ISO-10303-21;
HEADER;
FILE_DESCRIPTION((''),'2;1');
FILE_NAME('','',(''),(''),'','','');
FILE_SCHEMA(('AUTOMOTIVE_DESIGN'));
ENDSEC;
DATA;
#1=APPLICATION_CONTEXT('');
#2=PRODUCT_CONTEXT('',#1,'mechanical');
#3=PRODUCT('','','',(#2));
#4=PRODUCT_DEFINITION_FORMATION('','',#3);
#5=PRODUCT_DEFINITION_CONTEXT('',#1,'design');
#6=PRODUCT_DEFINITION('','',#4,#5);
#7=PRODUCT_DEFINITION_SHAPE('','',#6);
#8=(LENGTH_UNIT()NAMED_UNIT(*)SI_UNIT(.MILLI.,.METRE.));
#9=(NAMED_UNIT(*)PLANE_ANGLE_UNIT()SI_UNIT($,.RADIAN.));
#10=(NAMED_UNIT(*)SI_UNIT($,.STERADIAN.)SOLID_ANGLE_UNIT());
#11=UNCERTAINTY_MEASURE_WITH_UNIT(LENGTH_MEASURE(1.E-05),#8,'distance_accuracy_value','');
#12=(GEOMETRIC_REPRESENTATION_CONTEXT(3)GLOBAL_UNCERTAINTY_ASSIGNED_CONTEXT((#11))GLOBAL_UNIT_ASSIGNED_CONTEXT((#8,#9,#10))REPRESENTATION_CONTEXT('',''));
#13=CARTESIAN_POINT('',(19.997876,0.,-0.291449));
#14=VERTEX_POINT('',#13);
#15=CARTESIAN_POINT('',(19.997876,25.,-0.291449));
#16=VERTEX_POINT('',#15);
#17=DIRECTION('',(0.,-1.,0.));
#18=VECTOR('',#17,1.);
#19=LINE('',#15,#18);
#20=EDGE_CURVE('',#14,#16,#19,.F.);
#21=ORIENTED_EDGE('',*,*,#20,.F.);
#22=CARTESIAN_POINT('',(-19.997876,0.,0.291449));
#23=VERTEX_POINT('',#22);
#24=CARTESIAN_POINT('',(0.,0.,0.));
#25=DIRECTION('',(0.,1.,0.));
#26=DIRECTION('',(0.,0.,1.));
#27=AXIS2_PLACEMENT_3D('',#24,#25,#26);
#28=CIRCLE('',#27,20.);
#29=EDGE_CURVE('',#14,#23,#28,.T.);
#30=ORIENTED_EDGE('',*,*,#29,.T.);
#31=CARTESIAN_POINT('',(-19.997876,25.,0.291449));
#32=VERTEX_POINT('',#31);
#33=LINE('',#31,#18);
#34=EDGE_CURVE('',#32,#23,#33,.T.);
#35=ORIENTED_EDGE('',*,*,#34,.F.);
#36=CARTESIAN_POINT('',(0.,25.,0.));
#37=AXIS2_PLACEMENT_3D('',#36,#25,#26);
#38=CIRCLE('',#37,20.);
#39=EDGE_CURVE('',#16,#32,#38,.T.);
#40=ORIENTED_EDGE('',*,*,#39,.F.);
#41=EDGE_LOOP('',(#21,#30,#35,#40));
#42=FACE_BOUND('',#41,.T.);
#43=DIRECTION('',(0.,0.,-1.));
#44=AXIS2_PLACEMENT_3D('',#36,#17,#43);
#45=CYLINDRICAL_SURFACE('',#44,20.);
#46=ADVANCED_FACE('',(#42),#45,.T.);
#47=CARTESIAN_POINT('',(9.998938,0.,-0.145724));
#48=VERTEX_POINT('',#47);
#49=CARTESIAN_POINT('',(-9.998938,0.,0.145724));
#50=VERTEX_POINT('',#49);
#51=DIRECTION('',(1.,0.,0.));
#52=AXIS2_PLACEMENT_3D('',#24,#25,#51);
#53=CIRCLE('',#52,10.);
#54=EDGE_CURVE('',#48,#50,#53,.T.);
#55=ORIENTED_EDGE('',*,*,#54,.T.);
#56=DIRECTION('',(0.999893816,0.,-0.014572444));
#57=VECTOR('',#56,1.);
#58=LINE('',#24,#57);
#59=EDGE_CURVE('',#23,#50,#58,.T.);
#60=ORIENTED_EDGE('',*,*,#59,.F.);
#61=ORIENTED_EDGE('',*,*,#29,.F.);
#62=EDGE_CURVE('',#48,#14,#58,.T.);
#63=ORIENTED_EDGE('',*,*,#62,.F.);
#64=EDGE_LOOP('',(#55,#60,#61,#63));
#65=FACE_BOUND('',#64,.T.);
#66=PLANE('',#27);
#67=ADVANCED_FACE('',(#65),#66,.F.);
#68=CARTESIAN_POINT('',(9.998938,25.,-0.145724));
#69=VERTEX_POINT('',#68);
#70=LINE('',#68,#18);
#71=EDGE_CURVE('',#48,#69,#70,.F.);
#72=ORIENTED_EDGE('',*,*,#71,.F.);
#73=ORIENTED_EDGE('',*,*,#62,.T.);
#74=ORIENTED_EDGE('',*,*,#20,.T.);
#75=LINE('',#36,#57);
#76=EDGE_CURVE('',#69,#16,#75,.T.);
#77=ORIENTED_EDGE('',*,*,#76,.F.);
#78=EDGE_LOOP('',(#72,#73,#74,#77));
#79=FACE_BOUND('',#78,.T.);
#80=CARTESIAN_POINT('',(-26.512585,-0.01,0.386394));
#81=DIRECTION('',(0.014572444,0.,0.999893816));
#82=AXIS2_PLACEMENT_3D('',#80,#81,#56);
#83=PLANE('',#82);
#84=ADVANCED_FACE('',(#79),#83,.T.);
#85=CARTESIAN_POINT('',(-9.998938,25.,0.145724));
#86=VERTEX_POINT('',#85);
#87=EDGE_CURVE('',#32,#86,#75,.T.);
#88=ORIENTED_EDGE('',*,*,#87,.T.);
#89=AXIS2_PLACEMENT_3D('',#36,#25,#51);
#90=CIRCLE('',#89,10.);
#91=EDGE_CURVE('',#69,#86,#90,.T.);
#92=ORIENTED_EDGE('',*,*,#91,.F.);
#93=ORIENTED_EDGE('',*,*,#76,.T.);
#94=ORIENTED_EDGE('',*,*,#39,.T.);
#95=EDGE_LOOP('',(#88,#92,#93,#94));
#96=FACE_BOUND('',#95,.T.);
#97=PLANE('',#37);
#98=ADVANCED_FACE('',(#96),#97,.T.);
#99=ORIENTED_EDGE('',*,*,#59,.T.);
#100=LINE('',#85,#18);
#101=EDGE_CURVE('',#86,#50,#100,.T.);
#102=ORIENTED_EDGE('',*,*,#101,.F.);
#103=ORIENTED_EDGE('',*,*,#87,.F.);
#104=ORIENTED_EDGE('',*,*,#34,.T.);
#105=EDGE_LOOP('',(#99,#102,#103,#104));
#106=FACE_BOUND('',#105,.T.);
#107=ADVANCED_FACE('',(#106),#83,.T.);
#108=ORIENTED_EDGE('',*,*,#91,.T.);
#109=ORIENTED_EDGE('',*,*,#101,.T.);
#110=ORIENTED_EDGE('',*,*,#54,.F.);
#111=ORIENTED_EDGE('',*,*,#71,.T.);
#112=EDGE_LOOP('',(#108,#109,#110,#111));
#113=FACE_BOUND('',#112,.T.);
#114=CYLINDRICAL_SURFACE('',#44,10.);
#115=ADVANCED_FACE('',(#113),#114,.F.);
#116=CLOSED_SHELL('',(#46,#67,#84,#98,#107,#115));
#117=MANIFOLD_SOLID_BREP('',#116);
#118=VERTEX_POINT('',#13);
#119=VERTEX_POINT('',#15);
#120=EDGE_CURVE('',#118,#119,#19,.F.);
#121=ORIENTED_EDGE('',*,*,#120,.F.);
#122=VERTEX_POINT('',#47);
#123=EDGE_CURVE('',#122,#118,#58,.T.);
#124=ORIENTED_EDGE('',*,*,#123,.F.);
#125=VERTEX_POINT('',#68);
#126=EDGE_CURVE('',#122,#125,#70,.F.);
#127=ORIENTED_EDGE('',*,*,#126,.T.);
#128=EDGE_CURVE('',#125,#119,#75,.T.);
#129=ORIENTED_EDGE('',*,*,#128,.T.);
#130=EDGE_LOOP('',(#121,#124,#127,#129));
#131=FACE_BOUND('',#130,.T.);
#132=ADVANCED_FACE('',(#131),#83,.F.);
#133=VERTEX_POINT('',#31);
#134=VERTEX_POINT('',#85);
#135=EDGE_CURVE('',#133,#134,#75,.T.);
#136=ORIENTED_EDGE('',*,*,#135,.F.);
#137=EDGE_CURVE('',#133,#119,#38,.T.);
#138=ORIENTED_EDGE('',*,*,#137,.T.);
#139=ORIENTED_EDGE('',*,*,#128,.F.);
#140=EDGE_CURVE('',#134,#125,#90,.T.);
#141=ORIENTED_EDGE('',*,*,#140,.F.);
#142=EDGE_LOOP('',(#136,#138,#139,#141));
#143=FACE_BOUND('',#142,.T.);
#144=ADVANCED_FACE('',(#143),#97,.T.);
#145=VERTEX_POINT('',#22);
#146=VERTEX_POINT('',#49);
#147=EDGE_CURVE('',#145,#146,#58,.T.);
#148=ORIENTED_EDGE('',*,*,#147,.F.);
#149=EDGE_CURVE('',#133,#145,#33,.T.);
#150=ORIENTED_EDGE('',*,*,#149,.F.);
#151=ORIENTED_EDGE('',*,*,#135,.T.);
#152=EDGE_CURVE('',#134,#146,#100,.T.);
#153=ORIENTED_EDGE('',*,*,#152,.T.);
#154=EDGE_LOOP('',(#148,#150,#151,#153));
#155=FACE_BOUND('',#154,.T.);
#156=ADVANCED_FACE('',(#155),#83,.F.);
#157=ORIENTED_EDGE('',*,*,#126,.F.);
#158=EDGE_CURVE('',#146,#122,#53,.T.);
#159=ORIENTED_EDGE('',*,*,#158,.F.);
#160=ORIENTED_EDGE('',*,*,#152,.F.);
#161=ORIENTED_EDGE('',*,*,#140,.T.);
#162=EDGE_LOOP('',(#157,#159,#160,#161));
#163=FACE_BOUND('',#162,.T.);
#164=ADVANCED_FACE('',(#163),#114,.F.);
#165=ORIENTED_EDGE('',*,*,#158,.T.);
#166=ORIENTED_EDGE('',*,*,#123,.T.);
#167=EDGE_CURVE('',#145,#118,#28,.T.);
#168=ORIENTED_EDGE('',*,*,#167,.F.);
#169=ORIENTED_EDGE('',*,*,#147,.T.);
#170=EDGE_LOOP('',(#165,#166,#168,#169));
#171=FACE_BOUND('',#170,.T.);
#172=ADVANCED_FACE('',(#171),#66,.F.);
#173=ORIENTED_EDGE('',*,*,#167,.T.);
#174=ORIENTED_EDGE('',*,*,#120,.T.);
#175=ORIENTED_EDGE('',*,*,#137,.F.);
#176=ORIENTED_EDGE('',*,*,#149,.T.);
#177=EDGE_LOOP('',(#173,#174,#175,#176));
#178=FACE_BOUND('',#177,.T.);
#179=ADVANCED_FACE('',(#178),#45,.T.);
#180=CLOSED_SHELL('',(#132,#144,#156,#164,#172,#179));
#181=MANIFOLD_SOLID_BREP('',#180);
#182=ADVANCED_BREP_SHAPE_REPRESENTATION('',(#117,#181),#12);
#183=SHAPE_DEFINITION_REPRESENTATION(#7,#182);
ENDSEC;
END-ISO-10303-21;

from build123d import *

# Parameters (mm, degrees)
SKETCH1_R              = 20
SKETCH1_R_2            = 10
EXTRUDE_THIN1_DEPTH    = 25
SPLIT1_SURFACE_1_BACK  = 62.847
SPLIT1_SURFACE_1_DEPTH = 125.694
SPLIT1_SURFACE_2_BACK  = 62.847
SPLIT1_SURFACE_2_DEPTH = 125.694


with BuildPart() as part:
    # Sketch1 → Extrude-Thin1 (new body)
    with BuildSketch(Plane(origin=(0, 0, 0), x_dir=(1, 0, 0), z_dir=(0, 1, 0))):
        Circle(SKETCH1_R)
        Circle(SKETCH1_R_2, mode=Mode.SUBTRACT)
    extrude(amount=EXTRUDE_THIN1_DEPTH)


with BuildPart() as body_2:
    # Split1: the piece behind the surface
    add(part.part)
    # Split1 surface: a surface, the sketch's curves swept straight by 125.694 mm
    with BuildLine(Plane(origin=(0, 25, 0), x_dir=(1, 0, 0), z_dir=(0, 1, 0)).offset(-SPLIT1_SURFACE_1_BACK), mode=Mode.PRIVATE) as split1_surface_1_path:
        Line((-26.512584697, -0.386394172), (28.829591237, 0.420162204))
    split1_surface_1 = Shell.extrude(split1_surface_1_path.wire(), (0 * SPLIT1_SURFACE_1_DEPTH, 1 * SPLIT1_SURFACE_1_DEPTH, 0 * SPLIT1_SURFACE_1_DEPTH))
    split(bisect_by=split1_surface_1, keep=Keep.BOTTOM)


with BuildPart() as part_1:
    add(part.part)

    # Split1: split by a surface, the side it looks to stays
    # Split1 surface: a surface, the sketch's curves swept straight by 125.694 mm
    with BuildLine(Plane(origin=(0, 25, 0), x_dir=(1, 0, 0), z_dir=(0, 1, 0)).offset(-SPLIT1_SURFACE_2_BACK), mode=Mode.PRIVATE) as split1_surface_2_path:
        Line((-26.512584697, -0.386394172), (28.829591237, 0.420162204))
    split1_surface_2 = Shell.extrude(split1_surface_2_path.wire(), (0 * SPLIT1_SURFACE_2_DEPTH, 1 * SPLIT1_SURFACE_2_DEPTH, 0 * SPLIT1_SURFACE_2_DEPTH))
    split(bisect_by=split1_surface_2, keep=Keep.TOP)


solid = Compound([body_2.part, part_1.part])
